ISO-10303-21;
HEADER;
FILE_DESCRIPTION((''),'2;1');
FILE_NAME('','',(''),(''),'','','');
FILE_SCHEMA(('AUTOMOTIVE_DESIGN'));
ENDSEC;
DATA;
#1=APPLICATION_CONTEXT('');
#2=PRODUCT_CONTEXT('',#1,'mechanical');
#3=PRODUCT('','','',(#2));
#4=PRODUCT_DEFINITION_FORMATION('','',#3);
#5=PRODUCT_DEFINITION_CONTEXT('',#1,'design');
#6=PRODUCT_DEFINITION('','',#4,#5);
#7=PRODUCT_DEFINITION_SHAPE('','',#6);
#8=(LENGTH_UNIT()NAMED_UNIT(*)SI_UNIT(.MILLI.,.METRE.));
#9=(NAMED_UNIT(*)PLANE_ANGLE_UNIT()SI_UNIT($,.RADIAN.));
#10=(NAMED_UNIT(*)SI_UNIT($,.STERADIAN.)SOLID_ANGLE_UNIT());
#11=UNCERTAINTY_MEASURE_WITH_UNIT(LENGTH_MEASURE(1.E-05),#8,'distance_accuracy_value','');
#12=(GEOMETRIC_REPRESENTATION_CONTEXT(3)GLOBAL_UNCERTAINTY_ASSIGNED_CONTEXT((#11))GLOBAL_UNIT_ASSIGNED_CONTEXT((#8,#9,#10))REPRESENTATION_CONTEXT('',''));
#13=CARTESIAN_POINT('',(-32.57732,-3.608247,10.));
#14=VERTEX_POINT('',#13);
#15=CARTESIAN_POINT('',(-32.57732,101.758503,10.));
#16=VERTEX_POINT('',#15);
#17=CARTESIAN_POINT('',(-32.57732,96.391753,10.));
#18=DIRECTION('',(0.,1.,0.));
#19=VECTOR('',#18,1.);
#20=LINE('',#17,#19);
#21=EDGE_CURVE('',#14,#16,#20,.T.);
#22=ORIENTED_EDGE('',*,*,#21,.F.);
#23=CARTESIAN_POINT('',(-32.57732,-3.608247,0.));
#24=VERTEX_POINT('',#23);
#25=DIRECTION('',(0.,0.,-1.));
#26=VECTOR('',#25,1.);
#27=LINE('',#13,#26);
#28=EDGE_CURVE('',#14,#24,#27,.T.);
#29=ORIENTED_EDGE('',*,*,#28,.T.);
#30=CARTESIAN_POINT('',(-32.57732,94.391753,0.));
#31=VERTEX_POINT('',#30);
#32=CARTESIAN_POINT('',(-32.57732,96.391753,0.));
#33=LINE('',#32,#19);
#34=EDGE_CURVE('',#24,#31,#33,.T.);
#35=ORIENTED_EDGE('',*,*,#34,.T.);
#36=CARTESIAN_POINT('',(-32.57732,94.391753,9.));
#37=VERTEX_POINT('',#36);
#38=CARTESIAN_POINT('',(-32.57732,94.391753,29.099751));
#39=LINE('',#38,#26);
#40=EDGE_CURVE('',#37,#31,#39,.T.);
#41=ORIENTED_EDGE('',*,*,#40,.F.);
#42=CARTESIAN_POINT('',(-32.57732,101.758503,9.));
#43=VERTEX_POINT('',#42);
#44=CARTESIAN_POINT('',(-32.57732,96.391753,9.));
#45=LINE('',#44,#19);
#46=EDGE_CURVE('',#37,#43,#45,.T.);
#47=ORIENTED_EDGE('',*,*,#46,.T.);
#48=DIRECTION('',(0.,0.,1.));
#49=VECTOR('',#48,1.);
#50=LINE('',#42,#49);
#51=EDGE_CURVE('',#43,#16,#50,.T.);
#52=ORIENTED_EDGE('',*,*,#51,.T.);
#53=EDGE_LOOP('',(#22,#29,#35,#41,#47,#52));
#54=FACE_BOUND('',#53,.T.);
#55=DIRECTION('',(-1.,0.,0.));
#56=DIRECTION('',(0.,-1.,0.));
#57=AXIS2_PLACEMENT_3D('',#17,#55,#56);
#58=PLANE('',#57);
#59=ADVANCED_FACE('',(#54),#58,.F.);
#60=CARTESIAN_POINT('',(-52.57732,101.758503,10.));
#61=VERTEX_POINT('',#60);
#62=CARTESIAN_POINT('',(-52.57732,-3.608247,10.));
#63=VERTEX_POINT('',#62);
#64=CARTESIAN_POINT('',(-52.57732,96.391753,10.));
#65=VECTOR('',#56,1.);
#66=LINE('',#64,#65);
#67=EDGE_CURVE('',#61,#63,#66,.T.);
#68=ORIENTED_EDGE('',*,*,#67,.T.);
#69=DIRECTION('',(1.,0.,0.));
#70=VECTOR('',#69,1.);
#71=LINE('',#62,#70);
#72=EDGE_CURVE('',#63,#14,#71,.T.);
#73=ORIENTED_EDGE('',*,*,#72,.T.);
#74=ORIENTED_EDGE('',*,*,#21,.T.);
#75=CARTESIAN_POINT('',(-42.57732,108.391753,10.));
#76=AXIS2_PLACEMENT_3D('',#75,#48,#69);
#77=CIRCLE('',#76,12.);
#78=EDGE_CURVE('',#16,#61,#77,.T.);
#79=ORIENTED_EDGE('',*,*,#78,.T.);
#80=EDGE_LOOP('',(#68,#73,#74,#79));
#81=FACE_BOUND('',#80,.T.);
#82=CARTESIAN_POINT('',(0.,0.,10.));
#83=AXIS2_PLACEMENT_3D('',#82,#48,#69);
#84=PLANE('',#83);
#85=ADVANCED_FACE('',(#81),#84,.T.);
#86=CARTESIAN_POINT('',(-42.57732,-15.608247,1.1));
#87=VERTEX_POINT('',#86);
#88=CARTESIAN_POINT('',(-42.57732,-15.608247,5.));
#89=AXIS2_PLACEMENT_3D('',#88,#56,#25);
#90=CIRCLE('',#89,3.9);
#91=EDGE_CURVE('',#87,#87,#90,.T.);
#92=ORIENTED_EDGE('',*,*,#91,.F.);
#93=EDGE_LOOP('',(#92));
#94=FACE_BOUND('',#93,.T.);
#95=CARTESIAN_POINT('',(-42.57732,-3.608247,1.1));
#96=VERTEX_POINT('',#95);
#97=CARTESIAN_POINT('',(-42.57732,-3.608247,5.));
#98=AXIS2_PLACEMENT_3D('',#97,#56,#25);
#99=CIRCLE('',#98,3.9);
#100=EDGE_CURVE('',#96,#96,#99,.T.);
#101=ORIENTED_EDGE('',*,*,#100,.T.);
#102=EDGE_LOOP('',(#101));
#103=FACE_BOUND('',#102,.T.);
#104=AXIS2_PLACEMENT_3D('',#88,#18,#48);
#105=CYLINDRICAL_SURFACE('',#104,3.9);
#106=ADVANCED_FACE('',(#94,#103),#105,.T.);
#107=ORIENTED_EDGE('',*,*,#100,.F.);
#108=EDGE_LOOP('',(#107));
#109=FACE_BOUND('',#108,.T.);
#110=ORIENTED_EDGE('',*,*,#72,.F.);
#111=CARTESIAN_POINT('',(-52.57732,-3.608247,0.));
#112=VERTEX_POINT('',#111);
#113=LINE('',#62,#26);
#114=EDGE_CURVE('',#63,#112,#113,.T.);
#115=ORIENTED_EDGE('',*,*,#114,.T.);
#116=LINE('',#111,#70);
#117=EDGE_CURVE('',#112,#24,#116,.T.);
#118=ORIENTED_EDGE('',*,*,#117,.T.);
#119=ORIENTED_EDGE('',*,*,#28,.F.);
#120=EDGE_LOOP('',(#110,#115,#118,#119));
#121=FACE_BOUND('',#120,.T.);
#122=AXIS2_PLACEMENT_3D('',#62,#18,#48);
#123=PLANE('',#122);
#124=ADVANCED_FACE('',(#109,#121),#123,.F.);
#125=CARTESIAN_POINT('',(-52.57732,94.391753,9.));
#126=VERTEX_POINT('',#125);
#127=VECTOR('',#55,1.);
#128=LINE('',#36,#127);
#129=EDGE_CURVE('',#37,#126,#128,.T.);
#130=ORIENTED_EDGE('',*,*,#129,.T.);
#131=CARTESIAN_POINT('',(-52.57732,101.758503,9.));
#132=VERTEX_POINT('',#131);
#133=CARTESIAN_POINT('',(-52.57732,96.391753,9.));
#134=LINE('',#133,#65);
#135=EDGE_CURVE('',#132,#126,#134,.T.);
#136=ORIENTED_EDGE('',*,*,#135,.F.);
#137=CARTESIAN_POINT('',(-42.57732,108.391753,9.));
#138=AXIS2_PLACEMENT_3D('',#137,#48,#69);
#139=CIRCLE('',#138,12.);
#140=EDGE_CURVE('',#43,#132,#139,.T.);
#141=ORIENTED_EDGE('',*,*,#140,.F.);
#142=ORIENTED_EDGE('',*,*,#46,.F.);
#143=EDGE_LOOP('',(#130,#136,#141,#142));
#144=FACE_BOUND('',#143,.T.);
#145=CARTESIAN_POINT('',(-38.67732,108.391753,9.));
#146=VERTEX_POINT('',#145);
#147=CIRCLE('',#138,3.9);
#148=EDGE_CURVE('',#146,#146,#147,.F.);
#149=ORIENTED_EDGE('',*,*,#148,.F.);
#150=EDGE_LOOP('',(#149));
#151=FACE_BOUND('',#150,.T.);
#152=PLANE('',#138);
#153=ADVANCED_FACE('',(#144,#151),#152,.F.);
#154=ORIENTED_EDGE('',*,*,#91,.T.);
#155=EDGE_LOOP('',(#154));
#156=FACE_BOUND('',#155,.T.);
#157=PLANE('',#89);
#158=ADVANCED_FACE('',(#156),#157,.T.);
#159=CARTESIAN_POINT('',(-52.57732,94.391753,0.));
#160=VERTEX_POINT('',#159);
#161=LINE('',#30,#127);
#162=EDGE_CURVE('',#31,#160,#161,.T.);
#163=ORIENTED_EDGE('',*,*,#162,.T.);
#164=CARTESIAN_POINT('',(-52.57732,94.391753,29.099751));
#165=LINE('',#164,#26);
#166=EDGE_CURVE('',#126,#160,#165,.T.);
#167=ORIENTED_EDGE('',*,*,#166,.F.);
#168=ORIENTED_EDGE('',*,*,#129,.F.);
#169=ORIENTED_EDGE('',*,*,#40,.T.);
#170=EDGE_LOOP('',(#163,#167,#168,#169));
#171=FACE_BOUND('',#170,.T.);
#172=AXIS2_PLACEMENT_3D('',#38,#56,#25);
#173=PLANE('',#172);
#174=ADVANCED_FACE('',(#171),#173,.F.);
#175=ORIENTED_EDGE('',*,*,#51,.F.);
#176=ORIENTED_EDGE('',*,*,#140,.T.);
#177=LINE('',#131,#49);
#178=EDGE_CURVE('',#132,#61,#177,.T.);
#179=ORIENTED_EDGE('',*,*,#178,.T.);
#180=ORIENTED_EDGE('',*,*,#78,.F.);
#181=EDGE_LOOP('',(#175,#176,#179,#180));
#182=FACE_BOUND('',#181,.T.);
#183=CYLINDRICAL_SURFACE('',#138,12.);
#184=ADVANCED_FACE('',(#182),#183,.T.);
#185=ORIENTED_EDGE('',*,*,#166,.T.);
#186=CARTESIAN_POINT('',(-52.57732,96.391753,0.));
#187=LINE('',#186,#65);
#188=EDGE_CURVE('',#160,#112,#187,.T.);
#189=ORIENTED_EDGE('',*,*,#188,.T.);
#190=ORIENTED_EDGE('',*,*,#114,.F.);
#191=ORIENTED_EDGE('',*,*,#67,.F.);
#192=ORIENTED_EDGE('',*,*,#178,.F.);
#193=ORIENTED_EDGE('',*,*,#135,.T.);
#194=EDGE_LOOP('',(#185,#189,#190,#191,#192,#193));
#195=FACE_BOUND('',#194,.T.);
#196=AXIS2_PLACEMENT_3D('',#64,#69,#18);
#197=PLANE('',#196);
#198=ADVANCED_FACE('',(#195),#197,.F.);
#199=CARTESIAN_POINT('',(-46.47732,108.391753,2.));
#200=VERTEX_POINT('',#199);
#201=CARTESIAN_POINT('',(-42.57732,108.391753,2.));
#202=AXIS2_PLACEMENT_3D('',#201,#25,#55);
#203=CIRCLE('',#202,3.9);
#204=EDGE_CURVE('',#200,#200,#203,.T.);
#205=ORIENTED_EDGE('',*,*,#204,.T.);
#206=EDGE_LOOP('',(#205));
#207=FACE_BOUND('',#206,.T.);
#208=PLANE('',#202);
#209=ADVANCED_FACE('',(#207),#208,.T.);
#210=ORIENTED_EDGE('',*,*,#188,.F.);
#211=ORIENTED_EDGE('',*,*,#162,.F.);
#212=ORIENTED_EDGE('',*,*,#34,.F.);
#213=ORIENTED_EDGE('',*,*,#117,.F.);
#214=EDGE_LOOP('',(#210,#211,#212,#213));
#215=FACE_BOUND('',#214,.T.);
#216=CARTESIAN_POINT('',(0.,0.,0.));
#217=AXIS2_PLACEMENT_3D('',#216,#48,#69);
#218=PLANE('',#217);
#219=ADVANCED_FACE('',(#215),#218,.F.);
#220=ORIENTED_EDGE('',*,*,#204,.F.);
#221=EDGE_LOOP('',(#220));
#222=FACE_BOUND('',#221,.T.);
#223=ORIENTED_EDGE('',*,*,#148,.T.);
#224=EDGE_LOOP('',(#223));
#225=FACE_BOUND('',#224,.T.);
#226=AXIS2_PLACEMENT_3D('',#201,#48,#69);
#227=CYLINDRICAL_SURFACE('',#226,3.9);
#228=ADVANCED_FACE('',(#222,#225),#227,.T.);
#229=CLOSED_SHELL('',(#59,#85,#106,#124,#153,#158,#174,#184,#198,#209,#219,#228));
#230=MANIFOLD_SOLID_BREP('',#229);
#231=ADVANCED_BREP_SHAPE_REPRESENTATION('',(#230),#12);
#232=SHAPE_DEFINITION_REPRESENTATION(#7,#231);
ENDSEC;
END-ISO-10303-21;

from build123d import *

# Parameters (mm, degrees)
SKETCH2_W           = 20
SKETCH2_H           = 100
BOSS_EXTRUDE1_DEPTH = 10
SKETCH3_R           = 3.9
BOSS_EXTRUDE2_DEPTH = 12
BOSS_EXTRUDE3_DEPTH = 1
SKETCH5_R           = 3.9
BOSS_EXTRUDE4_DEPTH = 7
SKETCH6_W           = 20
SKETCH6_H           = 2
CUT_EXTRUDE1_DEPTH  = 9


with BuildPart() as part:
    # Sketch2 → Boss-Extrude1 (new body)
    with BuildSketch(Plane.XY):
        with Locations((-42.577319588, 46.391752577)):
            Rectangle(SKETCH2_W, SKETCH2_H)
    extrude(amount=BOSS_EXTRUDE1_DEPTH)

    # Sketch3 → Boss-Extrude2 (add)
    with BuildSketch(Plane.XZ.offset(3.608247423)):
        with Locations(Location((-42.577319588, 5, 0), (0, 0, 270))):
            Circle(SKETCH3_R)
    extrude(amount=BOSS_EXTRUDE2_DEPTH)

    # Sketch4 → Boss-Extrude3 (add)
    with BuildSketch(Plane.XY.offset(10)):
        with BuildLine():
            Line((-32.577319588, 96.391752577), (-32.577319588, 101.758502997))
            ThreePointArc((-32.577319588, 101.758502997), (-42.577319588, 120.391752577), (-52.577319588, 101.758502997))
            Line((-52.577319588, 101.758502997), (-52.577319588, 96.391752577))
            Line((-52.577319588, 96.391752577), (-32.577319588, 96.391752577))
        make_face()
    extrude(amount=-BOSS_EXTRUDE3_DEPTH)

    # Sketch5 → Boss-Extrude4 (add)
    with BuildSketch(Plane(origin=(0, 0, 9), x_dir=(-1, 0, 0), z_dir=(0, 0, -1))):
        with Locations(Location((42.577319588, 108.391752577, 0), (0, 0, 180))):
            Circle(SKETCH5_R)
    extrude(amount=BOSS_EXTRUDE4_DEPTH)

    # Sketch6 → Cut-Extrude1 (cut)
    with BuildSketch(Plane(origin=(0, 0, 0), x_dir=(-1, 0, 0), z_dir=(0, 0, -1))):
        with Locations((42.577319588, 95.391752577)):
            Rectangle(SKETCH6_W, SKETCH6_H)
    extrude(amount=-CUT_EXTRUDE1_DEPTH, mode=Mode.SUBTRACT)


solid = part.part
